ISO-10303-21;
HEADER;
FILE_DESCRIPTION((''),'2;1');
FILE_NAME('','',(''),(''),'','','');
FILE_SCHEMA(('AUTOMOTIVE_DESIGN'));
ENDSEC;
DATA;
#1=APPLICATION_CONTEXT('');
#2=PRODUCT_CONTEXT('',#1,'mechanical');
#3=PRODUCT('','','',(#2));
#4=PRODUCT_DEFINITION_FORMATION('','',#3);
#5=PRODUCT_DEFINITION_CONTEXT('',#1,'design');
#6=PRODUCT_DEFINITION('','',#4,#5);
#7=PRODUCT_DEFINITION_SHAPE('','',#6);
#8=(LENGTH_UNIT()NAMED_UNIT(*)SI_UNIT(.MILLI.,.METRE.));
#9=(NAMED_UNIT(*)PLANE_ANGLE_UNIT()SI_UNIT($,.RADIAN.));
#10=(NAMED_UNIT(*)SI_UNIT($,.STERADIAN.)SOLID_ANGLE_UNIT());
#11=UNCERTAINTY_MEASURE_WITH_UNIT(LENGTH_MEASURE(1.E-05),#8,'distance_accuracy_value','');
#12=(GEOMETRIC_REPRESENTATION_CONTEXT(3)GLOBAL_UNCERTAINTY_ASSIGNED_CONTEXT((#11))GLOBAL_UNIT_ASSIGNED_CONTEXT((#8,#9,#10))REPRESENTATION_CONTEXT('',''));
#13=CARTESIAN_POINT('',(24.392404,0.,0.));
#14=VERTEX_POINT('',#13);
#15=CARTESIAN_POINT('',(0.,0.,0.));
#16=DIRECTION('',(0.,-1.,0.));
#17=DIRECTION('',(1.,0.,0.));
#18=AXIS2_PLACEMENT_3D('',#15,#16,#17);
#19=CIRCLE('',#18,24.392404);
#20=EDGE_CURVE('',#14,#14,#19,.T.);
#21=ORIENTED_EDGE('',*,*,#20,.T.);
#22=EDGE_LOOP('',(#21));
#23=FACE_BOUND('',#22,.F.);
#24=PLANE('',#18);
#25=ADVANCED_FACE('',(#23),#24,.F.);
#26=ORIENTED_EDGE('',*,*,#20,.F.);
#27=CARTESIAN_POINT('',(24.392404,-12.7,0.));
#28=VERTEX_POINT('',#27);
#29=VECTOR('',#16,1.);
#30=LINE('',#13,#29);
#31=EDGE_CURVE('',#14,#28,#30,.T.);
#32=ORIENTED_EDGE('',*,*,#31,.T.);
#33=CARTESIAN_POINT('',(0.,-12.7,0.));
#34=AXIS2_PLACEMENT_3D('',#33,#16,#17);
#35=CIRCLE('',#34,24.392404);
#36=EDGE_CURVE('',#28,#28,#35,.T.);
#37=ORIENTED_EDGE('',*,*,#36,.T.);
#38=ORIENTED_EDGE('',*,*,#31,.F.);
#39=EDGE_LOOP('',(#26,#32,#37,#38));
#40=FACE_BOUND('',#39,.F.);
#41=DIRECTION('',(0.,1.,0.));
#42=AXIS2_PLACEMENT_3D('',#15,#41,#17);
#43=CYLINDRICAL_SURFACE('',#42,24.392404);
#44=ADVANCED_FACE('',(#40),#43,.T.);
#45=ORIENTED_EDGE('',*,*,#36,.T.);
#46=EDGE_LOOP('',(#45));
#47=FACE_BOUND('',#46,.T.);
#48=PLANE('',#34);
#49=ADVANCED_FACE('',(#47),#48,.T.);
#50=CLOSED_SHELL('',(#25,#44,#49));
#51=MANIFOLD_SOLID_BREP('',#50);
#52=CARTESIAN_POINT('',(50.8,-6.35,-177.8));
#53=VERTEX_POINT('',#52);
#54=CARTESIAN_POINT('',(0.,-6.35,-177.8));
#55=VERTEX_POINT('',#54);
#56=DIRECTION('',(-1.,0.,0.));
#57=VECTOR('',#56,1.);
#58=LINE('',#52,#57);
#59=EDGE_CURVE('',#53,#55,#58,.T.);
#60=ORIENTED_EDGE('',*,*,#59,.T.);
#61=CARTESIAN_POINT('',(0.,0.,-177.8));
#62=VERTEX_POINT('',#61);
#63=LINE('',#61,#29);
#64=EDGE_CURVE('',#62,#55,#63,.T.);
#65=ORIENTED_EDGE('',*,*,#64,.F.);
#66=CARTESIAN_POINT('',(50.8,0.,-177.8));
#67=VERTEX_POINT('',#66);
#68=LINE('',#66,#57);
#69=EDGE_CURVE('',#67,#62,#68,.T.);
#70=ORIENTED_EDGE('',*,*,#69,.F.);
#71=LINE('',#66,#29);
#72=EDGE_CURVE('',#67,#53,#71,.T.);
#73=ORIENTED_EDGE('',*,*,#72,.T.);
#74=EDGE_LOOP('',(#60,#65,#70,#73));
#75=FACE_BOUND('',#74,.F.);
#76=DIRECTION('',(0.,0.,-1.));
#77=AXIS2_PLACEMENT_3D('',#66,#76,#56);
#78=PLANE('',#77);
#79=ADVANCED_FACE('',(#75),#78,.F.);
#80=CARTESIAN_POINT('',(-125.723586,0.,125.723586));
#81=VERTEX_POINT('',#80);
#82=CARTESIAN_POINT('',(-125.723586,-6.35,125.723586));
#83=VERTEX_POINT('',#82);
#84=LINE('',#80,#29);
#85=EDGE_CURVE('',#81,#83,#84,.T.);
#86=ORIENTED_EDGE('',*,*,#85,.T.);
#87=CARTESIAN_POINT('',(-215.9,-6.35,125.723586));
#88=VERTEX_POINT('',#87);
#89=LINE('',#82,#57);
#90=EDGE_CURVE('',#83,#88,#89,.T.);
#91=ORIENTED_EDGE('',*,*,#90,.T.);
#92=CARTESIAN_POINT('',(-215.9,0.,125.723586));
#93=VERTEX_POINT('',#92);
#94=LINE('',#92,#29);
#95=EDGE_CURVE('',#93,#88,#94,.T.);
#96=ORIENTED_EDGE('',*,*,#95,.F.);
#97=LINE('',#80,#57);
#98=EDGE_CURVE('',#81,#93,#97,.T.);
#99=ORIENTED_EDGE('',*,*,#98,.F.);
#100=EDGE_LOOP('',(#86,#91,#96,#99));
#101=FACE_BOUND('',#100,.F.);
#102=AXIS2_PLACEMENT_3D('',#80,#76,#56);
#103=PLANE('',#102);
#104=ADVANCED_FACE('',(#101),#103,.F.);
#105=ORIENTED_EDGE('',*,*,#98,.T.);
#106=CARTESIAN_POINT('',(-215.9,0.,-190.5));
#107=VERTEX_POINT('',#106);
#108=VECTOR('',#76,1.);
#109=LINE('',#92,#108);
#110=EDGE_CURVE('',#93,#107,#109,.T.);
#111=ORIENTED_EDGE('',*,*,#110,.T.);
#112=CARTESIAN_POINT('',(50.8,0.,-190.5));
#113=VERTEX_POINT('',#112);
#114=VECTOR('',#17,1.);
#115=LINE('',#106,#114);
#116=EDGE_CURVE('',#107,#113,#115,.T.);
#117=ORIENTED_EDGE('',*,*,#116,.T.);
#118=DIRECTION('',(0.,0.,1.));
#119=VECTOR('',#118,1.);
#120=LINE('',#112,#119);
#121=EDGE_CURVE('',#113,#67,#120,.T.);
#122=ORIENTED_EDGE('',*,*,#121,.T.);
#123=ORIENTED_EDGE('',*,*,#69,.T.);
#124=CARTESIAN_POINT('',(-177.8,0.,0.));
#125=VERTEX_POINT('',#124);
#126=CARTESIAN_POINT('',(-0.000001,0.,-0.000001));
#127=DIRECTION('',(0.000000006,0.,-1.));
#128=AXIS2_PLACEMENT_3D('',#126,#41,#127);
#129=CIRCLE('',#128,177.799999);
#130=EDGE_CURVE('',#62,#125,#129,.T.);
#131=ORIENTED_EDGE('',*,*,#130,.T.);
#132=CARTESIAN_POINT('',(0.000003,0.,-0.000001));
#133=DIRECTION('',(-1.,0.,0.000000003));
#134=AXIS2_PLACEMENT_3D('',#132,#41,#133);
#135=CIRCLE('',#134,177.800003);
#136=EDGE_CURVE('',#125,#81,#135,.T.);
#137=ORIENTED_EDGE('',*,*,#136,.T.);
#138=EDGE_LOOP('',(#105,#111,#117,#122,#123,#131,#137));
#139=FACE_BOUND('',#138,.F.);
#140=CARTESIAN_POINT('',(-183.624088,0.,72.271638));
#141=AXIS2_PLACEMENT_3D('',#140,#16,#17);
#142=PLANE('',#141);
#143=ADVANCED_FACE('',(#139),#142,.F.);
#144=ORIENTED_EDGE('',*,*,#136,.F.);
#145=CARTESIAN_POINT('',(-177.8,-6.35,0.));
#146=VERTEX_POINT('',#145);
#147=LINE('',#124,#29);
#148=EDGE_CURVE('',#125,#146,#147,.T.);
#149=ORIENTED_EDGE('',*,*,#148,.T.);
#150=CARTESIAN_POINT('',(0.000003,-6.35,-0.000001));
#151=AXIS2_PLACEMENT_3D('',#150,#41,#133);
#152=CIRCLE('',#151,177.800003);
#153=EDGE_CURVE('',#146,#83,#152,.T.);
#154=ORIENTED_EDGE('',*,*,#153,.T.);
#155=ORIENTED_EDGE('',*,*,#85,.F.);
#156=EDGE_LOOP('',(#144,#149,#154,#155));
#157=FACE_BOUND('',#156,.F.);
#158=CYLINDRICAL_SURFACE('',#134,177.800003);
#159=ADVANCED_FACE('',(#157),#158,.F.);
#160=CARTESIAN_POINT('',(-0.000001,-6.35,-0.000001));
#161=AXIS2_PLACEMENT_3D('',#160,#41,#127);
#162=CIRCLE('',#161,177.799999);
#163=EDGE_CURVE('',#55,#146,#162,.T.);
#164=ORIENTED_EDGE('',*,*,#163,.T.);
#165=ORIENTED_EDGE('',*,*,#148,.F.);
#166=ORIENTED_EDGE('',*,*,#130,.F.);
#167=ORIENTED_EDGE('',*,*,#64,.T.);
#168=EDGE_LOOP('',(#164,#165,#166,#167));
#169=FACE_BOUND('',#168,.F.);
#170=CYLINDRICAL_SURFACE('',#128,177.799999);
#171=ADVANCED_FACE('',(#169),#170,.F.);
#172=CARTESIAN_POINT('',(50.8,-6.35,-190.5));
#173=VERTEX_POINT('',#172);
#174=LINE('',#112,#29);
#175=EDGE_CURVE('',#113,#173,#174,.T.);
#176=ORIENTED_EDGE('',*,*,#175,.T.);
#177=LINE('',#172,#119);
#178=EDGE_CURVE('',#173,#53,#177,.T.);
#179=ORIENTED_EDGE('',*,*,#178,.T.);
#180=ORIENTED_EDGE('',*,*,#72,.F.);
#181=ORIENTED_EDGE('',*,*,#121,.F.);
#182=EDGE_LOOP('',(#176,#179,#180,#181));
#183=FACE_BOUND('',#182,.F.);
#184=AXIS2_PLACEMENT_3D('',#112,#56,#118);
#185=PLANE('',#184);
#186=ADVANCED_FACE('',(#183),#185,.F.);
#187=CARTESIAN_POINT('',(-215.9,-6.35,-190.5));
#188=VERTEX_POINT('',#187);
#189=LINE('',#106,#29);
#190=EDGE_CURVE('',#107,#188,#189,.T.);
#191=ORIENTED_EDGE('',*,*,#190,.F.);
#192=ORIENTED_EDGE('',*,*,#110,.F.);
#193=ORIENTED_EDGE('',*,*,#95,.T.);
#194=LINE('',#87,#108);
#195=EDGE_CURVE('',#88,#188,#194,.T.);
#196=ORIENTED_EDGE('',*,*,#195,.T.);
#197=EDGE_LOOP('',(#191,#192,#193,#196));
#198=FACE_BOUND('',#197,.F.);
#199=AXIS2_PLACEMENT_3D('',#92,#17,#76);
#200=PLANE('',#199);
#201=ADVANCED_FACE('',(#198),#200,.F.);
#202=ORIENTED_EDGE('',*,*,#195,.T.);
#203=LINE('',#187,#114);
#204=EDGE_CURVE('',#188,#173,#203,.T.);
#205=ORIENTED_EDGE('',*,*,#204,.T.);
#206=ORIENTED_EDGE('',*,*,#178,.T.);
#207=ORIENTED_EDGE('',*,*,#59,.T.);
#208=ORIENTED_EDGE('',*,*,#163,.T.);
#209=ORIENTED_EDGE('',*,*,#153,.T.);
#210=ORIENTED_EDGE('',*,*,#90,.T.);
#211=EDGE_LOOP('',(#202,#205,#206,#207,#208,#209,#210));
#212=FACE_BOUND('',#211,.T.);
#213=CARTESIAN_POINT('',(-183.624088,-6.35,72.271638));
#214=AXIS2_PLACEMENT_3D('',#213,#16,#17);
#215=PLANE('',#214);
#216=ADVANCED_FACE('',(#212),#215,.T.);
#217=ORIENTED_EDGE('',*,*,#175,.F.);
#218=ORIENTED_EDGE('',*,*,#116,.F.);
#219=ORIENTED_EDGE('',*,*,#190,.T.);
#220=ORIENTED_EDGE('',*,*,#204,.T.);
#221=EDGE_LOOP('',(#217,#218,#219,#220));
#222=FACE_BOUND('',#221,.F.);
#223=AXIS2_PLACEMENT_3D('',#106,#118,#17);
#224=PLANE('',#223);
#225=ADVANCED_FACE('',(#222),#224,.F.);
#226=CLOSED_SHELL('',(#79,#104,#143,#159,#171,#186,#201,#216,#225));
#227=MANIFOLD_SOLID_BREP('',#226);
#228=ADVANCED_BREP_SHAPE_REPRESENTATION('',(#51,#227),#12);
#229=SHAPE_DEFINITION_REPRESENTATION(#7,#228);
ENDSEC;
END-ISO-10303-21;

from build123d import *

# Parameters (mm, degrees)
F1_DEPTH = 6.35
F2_R     = 24.392404
F3_DEPTH = 12.7


with BuildPart() as f1:
    # F0 (on Front) → F1 (new body)
    with BuildSketch(Plane.XZ):
        with BuildLine():
            ThreePointArc((-177.8, 0), (-164.265781, 68.041114), (-125.723586, 125.723586))
            Line((-125.723586, 125.723586), (-215.9, 125.723586))
            Line((-215.9, 125.723586), (-215.9, 0))
            Line((-215.9, 0), (-177.8, 0))
        make_face()
        with BuildLine():
            Line((50.8, -177.8), (0, -177.8))
            ThreePointArc((0, -177.8), (-125.723586, -125.723586), (-177.8, 0))
            Line((-177.8, 0), (-215.9, 0))
            Line((-215.9, 0), (-215.9, -190.5))
            Line((-215.9, -190.5), (50.8, -190.5))
            Line((50.8, -190.5), (50.8, -177.8))
        make_face()
    extrude(amount=F1_DEPTH)


with BuildPart() as f3:
    # F2 (on Front) → F3 (new body)
    with BuildSketch(Plane.XZ):
        Circle(F2_R)
    extrude(amount=F3_DEPTH)


solid = Compound([f1.part, f3.part])
